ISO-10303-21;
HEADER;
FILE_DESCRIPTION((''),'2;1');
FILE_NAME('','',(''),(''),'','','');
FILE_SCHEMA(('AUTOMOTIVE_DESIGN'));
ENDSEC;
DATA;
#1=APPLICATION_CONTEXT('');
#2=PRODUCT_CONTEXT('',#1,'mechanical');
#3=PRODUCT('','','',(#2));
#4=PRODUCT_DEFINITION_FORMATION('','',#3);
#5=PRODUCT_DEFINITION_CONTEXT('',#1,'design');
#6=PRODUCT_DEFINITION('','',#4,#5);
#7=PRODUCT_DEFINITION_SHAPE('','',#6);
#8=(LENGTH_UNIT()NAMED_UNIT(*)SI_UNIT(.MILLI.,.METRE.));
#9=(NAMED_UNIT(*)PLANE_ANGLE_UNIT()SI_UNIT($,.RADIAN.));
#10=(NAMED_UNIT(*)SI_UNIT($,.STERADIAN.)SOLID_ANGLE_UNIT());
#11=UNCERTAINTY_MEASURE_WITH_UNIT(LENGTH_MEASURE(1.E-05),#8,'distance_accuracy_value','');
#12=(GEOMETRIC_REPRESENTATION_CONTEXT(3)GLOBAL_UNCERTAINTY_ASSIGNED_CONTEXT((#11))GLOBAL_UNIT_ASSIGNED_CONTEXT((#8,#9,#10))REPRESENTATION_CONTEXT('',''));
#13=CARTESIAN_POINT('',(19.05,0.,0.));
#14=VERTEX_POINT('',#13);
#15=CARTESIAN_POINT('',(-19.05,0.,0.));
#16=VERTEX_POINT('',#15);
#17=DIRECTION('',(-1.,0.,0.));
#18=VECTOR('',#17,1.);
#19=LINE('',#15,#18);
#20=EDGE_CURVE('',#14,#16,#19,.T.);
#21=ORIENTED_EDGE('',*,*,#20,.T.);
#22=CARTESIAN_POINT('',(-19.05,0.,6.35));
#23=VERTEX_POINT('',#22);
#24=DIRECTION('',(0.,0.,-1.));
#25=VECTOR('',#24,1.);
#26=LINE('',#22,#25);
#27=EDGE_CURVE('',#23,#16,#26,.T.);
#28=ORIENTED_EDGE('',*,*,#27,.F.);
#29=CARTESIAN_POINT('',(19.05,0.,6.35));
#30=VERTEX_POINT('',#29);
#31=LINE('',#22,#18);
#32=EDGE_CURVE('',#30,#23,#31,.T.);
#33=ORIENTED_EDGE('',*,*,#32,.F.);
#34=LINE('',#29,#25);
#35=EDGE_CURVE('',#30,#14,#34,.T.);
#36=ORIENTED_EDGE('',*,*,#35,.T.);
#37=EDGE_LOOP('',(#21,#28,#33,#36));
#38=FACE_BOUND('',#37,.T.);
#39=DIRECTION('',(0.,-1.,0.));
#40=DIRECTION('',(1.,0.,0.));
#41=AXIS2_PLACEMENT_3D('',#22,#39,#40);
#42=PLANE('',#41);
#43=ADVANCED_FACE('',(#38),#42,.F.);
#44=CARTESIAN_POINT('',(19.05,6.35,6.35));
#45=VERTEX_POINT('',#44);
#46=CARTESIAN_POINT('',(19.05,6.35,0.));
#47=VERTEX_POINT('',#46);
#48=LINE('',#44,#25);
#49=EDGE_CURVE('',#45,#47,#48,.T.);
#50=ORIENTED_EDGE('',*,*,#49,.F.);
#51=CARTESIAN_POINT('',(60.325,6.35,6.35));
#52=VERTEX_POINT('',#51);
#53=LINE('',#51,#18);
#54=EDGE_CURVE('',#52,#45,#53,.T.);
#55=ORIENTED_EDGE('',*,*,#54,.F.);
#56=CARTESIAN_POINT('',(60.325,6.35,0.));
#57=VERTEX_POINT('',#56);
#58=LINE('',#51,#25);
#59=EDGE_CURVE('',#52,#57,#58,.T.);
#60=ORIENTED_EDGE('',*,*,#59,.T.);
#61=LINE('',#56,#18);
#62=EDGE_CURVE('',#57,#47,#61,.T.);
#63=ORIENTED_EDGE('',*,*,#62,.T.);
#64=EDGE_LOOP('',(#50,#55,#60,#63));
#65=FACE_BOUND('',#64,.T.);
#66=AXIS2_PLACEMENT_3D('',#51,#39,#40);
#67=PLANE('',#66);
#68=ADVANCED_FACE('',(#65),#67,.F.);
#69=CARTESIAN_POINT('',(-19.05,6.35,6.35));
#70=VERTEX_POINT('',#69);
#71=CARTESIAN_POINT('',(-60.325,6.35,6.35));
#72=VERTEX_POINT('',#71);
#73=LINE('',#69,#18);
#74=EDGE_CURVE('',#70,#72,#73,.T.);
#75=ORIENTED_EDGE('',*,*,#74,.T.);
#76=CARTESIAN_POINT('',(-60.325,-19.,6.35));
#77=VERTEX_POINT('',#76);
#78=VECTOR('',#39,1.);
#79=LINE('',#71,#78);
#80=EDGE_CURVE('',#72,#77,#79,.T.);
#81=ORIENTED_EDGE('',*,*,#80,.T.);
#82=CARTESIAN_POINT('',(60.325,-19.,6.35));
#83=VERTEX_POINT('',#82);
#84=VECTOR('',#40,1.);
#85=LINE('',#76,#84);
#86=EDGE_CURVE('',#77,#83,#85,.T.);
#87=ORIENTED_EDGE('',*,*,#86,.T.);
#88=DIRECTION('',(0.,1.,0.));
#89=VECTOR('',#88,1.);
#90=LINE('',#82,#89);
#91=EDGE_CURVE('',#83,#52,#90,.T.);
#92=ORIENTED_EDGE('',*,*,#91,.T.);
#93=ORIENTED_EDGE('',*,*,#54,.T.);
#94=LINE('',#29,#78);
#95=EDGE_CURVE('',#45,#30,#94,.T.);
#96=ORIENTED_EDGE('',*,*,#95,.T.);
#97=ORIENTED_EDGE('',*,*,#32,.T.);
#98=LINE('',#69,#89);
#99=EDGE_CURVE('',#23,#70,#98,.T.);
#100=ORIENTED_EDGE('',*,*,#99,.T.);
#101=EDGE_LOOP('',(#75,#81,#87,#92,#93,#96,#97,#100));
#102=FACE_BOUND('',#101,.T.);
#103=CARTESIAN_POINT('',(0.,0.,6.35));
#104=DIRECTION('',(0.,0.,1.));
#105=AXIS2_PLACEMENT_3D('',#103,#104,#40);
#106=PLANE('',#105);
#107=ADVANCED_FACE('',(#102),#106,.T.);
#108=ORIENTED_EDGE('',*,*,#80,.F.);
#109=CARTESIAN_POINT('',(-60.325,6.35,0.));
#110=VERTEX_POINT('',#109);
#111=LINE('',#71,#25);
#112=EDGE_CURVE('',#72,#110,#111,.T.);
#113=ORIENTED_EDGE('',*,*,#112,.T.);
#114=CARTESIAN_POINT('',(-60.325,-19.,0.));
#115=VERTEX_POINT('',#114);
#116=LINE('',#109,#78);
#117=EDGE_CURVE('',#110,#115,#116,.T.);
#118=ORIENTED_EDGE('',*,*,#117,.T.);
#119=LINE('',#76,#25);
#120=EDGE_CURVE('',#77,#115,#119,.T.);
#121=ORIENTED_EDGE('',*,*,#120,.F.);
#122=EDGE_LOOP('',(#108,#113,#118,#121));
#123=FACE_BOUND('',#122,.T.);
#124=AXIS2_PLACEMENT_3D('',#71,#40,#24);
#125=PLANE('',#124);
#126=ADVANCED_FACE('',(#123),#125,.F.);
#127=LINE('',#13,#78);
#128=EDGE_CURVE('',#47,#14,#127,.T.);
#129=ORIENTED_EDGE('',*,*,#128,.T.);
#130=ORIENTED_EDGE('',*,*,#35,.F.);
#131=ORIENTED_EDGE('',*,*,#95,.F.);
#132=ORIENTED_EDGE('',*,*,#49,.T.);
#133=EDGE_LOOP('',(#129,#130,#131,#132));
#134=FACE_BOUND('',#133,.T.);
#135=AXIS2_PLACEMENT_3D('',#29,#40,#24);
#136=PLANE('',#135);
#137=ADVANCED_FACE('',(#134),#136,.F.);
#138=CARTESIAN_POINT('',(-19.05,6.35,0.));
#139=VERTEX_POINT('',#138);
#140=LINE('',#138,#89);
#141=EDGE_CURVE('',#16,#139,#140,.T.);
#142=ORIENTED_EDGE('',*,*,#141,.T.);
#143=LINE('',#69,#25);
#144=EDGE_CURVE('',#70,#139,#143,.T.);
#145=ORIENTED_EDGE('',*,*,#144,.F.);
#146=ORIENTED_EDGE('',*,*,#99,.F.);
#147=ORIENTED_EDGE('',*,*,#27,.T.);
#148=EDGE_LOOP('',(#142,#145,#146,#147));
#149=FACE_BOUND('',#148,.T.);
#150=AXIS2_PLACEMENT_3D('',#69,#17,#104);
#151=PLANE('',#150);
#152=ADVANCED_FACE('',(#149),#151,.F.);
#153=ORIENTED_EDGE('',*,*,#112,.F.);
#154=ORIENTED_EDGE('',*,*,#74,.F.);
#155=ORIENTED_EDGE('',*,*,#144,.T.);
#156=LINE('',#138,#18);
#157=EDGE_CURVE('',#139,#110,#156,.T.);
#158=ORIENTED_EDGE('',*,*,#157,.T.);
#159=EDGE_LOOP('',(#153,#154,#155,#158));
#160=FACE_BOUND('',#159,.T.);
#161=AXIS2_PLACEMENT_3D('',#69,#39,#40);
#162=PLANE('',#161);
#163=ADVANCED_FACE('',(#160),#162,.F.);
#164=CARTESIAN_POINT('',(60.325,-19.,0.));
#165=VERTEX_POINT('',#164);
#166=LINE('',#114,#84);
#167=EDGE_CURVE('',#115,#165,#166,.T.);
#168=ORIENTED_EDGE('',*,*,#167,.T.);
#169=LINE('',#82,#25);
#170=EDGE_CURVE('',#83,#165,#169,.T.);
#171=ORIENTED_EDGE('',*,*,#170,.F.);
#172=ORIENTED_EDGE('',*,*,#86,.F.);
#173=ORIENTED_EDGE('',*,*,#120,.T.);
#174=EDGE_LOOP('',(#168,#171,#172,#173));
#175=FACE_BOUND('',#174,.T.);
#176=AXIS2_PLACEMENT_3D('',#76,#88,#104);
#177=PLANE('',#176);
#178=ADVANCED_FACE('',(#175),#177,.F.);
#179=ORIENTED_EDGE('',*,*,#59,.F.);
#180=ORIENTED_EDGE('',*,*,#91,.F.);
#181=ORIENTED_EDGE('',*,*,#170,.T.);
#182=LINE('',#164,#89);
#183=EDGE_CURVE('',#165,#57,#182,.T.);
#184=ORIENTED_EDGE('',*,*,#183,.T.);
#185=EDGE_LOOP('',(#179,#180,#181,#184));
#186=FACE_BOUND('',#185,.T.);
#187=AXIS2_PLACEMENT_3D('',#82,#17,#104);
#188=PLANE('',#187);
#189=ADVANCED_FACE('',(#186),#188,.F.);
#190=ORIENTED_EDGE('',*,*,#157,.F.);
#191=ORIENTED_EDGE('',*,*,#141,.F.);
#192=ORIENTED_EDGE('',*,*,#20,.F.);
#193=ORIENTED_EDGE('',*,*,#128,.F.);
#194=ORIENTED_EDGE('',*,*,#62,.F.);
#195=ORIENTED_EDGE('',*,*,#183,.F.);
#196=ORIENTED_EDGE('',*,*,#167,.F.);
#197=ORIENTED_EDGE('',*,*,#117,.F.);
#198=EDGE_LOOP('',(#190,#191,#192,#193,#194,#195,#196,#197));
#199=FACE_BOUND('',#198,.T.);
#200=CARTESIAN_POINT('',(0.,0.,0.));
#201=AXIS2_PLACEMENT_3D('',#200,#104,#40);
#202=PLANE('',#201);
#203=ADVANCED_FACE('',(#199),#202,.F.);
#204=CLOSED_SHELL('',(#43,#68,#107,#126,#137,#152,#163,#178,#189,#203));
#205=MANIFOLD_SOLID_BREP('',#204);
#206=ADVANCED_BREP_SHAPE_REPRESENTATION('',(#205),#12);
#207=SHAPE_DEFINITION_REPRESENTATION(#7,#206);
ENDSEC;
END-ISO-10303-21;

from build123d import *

# Parameters (mm, degrees)
BOSS_EXTRUDE1_DEPTH = 6.35


with BuildPart() as part:
    # Model → Boss-Extrude1 (new body)
    with BuildSketch(Plane.XY):
        Polygon((-19.05, 0), (19.05, 0), (19.05, 6.35), (60.325, 6.35), (60.325, -19), (-60.325, -19), (-60.325, 6.35), (-19.05, 6.35), align=None)
    extrude(amount=BOSS_EXTRUDE1_DEPTH)


solid = part.part
